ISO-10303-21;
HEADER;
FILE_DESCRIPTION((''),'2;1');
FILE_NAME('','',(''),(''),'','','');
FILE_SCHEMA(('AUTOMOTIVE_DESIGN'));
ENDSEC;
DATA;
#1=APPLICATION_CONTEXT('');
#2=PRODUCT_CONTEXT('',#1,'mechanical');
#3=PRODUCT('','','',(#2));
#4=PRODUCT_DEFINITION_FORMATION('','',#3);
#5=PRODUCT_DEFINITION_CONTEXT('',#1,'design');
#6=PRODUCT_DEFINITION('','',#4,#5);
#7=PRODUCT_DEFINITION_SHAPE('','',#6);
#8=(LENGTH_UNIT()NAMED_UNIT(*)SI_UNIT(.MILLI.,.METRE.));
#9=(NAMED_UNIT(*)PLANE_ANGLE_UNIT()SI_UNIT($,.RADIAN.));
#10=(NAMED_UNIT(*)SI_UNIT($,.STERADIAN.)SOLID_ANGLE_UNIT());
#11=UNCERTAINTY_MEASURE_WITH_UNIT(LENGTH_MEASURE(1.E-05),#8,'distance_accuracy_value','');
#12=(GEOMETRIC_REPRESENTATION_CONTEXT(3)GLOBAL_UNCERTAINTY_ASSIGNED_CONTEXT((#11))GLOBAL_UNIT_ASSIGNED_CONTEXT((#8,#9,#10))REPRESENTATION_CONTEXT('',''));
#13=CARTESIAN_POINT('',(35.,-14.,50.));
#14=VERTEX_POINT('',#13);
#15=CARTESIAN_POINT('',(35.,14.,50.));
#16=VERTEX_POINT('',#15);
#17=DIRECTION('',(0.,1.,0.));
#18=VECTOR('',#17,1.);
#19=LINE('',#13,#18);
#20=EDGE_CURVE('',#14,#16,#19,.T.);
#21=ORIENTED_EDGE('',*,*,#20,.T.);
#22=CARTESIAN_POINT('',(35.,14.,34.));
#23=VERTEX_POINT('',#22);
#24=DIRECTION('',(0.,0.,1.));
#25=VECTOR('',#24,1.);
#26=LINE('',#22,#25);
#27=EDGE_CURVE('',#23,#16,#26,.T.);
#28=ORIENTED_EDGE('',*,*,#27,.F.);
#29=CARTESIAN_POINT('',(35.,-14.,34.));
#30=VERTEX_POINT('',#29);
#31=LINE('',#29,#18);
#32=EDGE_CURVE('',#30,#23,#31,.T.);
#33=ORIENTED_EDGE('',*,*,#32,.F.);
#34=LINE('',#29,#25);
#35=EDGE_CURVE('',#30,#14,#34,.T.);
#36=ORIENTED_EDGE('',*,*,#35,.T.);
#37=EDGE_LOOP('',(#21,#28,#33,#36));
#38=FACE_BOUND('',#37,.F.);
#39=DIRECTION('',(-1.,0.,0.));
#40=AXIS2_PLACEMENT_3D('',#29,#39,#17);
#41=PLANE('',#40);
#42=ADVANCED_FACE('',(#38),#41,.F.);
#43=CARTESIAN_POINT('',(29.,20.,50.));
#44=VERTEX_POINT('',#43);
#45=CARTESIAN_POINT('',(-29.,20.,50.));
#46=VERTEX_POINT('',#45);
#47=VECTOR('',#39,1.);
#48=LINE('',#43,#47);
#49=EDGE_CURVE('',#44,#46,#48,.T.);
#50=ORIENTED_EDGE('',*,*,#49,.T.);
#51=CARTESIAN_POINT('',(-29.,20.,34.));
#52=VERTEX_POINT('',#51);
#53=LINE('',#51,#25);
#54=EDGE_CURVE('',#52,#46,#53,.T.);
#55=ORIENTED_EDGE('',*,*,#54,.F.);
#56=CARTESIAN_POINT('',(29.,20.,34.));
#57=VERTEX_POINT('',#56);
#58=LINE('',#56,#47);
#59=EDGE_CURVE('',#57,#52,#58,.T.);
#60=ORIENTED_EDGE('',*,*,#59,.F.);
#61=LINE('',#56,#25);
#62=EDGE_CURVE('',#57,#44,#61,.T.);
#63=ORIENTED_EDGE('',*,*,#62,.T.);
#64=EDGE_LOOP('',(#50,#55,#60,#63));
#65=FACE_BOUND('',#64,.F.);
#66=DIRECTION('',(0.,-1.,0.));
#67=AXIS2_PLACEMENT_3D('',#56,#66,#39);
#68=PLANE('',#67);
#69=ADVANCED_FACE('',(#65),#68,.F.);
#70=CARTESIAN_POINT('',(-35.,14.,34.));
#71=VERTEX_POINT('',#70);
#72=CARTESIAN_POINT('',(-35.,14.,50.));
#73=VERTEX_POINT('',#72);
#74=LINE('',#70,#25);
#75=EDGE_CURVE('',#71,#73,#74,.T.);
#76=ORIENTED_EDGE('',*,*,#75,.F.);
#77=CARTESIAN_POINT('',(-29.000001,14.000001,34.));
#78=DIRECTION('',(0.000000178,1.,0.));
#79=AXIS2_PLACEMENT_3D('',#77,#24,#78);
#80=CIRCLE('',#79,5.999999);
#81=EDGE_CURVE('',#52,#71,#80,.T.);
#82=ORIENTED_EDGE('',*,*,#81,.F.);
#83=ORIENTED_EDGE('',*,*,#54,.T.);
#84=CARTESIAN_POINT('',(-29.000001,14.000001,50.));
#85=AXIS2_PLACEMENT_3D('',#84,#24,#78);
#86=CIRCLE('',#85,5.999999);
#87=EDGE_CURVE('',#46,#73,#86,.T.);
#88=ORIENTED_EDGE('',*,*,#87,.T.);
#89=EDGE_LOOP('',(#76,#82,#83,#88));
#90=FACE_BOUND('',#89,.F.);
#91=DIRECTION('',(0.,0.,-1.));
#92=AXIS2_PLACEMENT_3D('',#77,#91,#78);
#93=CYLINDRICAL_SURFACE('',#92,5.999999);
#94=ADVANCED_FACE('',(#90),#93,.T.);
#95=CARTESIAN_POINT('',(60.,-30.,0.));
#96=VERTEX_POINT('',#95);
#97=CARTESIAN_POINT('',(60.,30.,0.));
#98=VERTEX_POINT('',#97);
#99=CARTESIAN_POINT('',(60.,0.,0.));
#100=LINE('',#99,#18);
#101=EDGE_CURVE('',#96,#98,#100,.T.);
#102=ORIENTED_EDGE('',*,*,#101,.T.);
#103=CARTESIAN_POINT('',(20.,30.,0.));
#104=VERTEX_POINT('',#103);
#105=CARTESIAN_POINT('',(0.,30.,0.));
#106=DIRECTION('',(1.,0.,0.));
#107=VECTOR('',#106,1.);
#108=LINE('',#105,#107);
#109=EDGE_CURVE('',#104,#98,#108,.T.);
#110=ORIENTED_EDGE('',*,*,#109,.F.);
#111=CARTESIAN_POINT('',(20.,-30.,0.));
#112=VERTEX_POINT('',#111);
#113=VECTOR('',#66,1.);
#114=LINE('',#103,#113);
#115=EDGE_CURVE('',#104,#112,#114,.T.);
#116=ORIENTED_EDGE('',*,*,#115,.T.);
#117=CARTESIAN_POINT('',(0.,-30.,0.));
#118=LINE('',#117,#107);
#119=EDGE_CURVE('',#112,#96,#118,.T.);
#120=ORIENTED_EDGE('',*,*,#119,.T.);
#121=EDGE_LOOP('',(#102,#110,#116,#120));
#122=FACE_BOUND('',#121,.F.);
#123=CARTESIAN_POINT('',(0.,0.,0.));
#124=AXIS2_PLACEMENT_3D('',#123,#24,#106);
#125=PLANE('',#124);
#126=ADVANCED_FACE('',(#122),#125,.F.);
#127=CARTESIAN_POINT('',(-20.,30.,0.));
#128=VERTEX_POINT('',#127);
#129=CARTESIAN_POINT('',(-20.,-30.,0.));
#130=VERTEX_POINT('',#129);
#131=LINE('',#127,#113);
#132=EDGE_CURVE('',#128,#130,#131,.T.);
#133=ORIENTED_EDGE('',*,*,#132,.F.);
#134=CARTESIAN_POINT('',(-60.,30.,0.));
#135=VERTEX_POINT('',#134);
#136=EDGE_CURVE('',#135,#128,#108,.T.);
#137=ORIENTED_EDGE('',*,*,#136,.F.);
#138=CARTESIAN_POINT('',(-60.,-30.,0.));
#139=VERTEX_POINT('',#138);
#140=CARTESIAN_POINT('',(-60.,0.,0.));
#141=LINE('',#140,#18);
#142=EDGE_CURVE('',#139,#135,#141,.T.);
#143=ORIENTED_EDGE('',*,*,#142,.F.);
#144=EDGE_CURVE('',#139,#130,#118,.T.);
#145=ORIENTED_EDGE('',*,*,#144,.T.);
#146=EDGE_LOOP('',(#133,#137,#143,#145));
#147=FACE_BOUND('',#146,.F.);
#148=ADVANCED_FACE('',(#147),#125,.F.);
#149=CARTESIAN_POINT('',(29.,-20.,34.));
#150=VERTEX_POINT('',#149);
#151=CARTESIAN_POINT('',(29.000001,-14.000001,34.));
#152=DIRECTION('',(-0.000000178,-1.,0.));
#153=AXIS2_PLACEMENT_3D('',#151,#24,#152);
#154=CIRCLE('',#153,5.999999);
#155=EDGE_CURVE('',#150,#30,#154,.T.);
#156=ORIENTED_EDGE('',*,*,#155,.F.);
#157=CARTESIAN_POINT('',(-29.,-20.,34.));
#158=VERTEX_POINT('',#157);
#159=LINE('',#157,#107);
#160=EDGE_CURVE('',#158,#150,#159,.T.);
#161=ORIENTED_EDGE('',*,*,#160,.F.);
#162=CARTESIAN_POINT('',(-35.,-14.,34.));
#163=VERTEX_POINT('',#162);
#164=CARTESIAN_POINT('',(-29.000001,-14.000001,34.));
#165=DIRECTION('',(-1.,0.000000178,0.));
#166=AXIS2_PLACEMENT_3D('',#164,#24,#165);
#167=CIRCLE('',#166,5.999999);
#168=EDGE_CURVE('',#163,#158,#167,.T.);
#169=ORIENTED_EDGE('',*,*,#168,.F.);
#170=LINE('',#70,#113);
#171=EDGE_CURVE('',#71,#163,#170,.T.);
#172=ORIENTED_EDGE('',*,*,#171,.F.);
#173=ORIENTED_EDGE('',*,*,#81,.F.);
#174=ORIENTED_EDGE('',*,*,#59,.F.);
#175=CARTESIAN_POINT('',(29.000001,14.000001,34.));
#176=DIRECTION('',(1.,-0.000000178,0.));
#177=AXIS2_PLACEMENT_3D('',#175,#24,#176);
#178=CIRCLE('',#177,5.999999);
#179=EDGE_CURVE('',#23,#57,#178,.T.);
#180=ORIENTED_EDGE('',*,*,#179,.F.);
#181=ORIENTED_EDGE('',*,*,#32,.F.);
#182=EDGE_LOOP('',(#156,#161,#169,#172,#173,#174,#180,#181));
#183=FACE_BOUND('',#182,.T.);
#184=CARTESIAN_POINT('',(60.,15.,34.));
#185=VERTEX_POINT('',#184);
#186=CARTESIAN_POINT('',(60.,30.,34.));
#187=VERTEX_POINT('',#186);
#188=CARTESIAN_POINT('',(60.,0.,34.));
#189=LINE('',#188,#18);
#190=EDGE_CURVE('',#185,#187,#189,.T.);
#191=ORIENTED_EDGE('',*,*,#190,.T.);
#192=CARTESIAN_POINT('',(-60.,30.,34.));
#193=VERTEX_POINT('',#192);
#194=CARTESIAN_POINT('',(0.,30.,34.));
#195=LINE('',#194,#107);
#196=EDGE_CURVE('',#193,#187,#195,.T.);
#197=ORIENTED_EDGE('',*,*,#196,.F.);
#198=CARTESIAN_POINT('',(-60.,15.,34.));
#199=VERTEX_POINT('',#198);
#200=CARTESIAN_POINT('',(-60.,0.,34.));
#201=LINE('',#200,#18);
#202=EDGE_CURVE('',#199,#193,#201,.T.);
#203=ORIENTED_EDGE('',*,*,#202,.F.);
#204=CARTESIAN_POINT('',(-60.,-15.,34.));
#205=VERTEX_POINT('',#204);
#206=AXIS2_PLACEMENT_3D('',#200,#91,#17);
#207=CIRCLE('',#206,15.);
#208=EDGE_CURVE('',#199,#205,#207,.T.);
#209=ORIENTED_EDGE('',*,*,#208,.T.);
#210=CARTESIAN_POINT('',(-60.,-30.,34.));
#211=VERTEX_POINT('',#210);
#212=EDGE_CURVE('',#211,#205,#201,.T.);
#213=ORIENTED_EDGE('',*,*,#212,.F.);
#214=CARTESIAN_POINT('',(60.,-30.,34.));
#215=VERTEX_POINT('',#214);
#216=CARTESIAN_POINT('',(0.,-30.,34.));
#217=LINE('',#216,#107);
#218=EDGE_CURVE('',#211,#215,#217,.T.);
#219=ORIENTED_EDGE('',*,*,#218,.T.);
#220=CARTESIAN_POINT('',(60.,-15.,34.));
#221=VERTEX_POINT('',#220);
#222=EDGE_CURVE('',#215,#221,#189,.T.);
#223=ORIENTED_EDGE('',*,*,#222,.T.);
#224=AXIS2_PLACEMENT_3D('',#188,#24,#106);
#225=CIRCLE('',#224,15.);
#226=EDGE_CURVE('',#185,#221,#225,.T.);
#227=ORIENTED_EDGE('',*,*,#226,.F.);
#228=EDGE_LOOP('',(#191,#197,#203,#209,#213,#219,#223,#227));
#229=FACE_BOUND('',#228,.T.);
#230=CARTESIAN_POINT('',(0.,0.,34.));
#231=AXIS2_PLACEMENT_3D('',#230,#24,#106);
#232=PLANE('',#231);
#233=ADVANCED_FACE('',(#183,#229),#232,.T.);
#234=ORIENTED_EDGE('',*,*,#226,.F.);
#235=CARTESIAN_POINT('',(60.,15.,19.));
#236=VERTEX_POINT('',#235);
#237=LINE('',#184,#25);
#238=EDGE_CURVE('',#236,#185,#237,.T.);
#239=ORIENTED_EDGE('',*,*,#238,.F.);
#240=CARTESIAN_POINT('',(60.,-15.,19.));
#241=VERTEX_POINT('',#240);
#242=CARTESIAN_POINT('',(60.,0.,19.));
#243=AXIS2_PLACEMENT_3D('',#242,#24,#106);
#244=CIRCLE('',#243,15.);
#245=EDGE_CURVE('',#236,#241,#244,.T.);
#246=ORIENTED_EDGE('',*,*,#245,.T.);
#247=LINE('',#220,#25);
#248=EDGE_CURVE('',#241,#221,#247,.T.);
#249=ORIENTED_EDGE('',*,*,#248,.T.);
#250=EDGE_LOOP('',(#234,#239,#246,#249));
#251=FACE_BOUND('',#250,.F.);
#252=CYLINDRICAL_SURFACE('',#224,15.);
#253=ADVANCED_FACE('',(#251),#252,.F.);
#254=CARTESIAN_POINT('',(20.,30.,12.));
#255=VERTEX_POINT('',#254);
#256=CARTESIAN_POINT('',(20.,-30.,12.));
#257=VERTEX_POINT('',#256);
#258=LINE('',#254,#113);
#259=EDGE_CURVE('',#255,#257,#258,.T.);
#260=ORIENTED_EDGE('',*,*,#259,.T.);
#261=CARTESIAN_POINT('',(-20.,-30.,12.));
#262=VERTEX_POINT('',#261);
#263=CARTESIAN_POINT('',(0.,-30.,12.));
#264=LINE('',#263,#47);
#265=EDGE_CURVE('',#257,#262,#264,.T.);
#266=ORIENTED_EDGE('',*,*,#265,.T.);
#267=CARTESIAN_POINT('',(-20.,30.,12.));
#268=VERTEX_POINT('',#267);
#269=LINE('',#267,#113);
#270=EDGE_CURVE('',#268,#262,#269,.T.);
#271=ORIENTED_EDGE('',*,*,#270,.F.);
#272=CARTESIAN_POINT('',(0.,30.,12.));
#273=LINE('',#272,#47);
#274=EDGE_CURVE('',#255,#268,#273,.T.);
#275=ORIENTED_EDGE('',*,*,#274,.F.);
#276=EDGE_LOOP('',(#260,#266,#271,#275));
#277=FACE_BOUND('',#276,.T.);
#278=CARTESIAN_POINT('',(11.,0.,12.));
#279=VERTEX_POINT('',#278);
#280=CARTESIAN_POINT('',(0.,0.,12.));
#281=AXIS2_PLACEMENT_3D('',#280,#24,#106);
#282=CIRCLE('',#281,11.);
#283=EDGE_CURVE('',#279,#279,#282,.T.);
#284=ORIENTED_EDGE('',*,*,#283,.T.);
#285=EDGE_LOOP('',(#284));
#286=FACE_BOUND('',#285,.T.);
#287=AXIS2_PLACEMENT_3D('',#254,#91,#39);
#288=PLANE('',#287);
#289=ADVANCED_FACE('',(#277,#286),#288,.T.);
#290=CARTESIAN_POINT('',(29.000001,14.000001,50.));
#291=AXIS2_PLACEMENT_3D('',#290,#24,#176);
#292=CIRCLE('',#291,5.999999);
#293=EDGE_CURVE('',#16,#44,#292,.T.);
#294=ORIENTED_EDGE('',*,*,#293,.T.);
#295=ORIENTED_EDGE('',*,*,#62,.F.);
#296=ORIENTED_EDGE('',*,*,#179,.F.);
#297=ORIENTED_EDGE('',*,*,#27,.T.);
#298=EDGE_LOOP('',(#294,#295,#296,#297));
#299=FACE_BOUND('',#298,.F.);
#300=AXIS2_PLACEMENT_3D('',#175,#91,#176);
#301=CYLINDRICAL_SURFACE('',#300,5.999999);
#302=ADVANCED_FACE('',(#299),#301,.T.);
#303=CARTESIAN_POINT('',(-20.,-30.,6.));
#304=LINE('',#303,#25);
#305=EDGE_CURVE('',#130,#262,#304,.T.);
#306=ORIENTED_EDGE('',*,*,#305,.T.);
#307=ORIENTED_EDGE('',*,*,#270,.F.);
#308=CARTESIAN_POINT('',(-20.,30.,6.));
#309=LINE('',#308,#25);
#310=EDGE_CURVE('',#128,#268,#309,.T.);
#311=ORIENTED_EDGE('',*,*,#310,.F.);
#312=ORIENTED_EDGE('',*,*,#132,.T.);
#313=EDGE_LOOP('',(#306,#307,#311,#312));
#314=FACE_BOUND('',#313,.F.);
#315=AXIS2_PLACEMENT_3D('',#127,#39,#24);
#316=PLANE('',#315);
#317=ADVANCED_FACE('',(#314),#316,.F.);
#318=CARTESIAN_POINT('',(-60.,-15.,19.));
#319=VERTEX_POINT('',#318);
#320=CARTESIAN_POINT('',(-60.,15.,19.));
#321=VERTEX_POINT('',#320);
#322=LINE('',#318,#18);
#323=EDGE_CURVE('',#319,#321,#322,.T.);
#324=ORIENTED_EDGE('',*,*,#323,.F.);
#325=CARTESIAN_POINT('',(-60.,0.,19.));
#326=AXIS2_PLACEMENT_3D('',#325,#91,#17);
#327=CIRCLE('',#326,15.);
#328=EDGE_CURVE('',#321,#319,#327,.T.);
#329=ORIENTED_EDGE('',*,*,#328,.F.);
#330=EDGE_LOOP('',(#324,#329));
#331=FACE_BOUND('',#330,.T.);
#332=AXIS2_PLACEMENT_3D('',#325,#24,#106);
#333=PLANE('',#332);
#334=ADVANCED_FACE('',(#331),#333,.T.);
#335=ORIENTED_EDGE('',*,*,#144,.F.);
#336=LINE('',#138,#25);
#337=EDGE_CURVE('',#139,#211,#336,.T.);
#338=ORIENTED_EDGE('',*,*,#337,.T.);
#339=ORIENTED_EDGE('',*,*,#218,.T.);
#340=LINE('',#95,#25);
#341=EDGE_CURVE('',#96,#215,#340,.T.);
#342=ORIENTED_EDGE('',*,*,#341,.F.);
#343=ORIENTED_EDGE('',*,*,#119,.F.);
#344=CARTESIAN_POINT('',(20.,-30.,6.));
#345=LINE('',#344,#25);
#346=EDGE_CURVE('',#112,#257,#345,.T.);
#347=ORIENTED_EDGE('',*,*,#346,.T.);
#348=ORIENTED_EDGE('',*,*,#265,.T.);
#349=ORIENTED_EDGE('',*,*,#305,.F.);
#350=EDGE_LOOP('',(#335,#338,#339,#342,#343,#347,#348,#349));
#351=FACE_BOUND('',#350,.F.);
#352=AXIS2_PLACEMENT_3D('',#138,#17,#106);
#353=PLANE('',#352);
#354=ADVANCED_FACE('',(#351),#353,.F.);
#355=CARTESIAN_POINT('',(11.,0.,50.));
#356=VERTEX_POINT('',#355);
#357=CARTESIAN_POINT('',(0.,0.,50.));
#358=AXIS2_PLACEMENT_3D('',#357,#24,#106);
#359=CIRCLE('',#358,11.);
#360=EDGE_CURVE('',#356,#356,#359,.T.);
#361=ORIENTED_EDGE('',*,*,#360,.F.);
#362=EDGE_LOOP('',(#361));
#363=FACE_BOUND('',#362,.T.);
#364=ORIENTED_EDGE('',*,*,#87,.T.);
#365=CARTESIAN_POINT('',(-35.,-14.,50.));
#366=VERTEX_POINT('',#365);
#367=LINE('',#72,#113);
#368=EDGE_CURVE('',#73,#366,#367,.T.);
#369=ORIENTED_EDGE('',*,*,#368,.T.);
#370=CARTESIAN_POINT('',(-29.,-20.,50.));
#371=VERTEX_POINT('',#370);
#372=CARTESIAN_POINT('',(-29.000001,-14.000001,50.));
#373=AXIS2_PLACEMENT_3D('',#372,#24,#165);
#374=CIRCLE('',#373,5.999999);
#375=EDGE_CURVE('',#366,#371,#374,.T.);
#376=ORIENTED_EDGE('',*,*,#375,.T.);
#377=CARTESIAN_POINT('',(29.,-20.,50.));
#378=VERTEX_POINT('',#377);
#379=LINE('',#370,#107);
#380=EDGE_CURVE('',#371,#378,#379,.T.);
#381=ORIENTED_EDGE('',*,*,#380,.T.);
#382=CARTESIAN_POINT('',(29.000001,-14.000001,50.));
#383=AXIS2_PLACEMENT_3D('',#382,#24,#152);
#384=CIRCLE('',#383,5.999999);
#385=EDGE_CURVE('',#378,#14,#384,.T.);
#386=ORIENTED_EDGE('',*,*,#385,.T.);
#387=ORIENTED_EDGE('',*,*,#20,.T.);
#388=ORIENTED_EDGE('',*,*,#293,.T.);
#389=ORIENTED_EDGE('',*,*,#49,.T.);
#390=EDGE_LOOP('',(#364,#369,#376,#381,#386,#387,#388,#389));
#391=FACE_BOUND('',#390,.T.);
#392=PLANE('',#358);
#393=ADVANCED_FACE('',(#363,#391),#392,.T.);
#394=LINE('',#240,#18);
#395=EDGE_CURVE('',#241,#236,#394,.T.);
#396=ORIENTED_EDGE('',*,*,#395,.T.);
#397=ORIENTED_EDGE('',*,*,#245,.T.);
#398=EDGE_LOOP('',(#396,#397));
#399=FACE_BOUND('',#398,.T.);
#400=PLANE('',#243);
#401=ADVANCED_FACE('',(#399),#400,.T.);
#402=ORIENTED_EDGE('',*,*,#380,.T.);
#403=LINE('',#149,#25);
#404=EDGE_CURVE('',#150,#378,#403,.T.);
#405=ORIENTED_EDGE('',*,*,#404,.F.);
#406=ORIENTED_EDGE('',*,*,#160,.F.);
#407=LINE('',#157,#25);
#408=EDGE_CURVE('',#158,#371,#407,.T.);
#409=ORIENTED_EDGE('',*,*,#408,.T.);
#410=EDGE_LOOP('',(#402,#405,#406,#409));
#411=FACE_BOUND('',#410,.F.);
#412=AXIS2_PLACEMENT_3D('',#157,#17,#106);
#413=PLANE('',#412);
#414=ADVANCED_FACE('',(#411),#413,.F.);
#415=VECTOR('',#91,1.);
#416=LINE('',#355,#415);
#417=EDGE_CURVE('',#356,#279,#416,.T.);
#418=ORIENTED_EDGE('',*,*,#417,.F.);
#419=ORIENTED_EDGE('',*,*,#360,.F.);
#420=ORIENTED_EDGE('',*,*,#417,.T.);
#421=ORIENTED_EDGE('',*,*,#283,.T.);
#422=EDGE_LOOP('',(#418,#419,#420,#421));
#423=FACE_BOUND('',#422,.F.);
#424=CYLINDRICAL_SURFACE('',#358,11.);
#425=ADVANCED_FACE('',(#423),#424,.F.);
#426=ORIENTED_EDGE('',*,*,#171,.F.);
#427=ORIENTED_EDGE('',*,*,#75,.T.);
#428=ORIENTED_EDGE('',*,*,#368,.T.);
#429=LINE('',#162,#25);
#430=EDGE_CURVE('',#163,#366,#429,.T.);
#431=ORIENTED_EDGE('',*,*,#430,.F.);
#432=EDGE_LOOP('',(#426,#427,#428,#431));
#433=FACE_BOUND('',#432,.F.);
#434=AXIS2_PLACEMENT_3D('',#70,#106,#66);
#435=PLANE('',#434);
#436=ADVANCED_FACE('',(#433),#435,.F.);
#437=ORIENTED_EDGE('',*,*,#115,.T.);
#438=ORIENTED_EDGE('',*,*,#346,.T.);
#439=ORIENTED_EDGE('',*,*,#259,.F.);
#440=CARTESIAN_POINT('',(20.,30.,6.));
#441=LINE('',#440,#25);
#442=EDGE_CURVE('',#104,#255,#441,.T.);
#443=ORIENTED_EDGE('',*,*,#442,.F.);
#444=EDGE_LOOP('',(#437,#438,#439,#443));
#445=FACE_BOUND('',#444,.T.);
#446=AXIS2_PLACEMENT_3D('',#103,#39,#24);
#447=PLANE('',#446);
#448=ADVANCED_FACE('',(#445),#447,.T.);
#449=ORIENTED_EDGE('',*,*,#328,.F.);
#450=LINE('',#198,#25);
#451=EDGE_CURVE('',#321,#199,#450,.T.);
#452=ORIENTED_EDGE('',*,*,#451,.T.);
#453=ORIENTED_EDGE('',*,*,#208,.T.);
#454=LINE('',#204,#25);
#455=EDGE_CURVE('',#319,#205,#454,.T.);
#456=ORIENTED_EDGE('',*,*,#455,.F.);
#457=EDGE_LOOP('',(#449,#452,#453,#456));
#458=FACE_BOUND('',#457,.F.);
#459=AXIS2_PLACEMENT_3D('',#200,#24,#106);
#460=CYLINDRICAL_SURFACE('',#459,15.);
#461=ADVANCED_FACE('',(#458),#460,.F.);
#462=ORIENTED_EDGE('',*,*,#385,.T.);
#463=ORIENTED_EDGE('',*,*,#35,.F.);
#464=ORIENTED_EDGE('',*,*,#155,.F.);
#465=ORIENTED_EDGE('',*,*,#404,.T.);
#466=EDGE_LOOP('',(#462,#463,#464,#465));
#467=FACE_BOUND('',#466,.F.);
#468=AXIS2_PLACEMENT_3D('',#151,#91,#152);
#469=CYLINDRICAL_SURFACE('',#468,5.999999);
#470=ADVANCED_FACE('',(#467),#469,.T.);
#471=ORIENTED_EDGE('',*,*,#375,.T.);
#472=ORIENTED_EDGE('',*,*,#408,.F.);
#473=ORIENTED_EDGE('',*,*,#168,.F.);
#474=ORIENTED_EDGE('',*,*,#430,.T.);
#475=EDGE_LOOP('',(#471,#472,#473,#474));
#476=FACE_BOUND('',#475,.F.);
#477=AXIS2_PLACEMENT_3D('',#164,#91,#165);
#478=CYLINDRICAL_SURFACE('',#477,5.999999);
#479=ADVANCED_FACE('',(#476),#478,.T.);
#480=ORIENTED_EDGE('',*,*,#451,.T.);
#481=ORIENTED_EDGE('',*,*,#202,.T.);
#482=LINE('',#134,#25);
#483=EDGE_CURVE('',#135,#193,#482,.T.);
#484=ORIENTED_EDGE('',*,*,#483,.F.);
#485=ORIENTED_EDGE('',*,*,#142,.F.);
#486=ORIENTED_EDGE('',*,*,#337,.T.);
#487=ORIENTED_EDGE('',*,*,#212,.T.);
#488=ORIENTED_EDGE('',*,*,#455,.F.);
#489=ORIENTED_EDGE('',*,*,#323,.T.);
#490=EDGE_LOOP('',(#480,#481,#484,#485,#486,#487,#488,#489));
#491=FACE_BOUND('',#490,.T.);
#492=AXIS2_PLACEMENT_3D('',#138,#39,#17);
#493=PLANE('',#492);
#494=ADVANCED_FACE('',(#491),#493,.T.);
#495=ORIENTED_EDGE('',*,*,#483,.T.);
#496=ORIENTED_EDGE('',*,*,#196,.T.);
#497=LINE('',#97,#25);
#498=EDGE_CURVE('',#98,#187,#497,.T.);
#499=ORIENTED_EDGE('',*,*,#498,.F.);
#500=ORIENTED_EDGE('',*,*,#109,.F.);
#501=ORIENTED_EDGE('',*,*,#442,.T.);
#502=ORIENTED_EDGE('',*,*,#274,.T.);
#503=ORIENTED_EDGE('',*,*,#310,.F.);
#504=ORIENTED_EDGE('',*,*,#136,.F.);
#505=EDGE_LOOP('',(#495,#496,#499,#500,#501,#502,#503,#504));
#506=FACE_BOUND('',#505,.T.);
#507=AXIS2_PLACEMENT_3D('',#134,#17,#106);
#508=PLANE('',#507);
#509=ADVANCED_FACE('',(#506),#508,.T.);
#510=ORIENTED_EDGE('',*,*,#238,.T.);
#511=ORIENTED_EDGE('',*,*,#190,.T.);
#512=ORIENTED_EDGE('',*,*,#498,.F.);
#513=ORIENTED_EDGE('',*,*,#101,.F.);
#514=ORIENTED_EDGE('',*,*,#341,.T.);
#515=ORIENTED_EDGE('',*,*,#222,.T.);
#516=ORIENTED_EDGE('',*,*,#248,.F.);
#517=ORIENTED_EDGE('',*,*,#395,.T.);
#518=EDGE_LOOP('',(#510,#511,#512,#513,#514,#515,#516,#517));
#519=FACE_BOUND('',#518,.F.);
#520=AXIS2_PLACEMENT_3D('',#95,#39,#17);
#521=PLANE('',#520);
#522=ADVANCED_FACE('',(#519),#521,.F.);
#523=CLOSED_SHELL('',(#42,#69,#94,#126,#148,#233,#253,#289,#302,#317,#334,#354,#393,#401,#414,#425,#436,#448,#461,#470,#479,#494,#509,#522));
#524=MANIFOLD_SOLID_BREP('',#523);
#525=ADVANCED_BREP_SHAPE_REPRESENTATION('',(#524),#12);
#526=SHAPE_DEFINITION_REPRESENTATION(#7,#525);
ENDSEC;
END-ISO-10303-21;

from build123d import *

# Parameters (mm, degrees)
F0_W     = 120
F0_H     = 60
F1_DEPTH = 34
F2_R     = 15
F3_DEPTH = 15
F5_DEPTH = 16
F6_R     = 11
F7_DEPTH = 38
F8_W     = 40
F8_H     = 12
F9_DEPTH = 60


with BuildPart() as f1:
    # F0 (on Top) → F1 (new body)
    with BuildSketch(Plane.XY):
        Rectangle(F0_W, F0_H)
    extrude(amount=F1_DEPTH)

    # F2 (on face) → F3 (cut)
    with BuildSketch(Plane.XY.offset(34)):
        with Locations((-60, 0)):
            Circle(F2_R)
        with Locations((60, 0)):
            Circle(F2_R)
    extrude(amount=-F3_DEPTH, mode=Mode.SUBTRACT)

    # F4 (on face) → F5 (join)
    with BuildSketch(Plane.XY.offset(34)):
        with BuildLine():
            ThreePointArc((-35, -14), (-33.242641, -18.242641), (-29, -20))
            Line((-29, -20), (29, -20))
            ThreePointArc((29, -20), (33.242641, -18.242641), (35, -14))
            Line((35, -14), (35, 14))
            ThreePointArc((35, 14), (33.242641, 18.242641), (29, 20))
            Line((29, 20), (-29, 20))
            ThreePointArc((-29, 20), (-33.242641, 18.242641), (-35, 14))
            Line((-35, 14), (-35, -14))
        make_face()
    extrude(amount=F5_DEPTH)

    # F6 (on face) → F7 (cut)
    with BuildSketch(Plane.XY.offset(50)):
        Circle(F6_R)
    extrude(amount=-F7_DEPTH, mode=Mode.SUBTRACT)

    # F8 (on face) → F9 (cut)
    with BuildSketch(Plane(origin=(0, 30, 0), x_dir=(-1, 0, 0), z_dir=(0, 1, 0))):
        with Locations((0, 6)):
            Rectangle(F8_W, F8_H)
    extrude(amount=-F9_DEPTH, mode=Mode.SUBTRACT)


solid = f1.part
